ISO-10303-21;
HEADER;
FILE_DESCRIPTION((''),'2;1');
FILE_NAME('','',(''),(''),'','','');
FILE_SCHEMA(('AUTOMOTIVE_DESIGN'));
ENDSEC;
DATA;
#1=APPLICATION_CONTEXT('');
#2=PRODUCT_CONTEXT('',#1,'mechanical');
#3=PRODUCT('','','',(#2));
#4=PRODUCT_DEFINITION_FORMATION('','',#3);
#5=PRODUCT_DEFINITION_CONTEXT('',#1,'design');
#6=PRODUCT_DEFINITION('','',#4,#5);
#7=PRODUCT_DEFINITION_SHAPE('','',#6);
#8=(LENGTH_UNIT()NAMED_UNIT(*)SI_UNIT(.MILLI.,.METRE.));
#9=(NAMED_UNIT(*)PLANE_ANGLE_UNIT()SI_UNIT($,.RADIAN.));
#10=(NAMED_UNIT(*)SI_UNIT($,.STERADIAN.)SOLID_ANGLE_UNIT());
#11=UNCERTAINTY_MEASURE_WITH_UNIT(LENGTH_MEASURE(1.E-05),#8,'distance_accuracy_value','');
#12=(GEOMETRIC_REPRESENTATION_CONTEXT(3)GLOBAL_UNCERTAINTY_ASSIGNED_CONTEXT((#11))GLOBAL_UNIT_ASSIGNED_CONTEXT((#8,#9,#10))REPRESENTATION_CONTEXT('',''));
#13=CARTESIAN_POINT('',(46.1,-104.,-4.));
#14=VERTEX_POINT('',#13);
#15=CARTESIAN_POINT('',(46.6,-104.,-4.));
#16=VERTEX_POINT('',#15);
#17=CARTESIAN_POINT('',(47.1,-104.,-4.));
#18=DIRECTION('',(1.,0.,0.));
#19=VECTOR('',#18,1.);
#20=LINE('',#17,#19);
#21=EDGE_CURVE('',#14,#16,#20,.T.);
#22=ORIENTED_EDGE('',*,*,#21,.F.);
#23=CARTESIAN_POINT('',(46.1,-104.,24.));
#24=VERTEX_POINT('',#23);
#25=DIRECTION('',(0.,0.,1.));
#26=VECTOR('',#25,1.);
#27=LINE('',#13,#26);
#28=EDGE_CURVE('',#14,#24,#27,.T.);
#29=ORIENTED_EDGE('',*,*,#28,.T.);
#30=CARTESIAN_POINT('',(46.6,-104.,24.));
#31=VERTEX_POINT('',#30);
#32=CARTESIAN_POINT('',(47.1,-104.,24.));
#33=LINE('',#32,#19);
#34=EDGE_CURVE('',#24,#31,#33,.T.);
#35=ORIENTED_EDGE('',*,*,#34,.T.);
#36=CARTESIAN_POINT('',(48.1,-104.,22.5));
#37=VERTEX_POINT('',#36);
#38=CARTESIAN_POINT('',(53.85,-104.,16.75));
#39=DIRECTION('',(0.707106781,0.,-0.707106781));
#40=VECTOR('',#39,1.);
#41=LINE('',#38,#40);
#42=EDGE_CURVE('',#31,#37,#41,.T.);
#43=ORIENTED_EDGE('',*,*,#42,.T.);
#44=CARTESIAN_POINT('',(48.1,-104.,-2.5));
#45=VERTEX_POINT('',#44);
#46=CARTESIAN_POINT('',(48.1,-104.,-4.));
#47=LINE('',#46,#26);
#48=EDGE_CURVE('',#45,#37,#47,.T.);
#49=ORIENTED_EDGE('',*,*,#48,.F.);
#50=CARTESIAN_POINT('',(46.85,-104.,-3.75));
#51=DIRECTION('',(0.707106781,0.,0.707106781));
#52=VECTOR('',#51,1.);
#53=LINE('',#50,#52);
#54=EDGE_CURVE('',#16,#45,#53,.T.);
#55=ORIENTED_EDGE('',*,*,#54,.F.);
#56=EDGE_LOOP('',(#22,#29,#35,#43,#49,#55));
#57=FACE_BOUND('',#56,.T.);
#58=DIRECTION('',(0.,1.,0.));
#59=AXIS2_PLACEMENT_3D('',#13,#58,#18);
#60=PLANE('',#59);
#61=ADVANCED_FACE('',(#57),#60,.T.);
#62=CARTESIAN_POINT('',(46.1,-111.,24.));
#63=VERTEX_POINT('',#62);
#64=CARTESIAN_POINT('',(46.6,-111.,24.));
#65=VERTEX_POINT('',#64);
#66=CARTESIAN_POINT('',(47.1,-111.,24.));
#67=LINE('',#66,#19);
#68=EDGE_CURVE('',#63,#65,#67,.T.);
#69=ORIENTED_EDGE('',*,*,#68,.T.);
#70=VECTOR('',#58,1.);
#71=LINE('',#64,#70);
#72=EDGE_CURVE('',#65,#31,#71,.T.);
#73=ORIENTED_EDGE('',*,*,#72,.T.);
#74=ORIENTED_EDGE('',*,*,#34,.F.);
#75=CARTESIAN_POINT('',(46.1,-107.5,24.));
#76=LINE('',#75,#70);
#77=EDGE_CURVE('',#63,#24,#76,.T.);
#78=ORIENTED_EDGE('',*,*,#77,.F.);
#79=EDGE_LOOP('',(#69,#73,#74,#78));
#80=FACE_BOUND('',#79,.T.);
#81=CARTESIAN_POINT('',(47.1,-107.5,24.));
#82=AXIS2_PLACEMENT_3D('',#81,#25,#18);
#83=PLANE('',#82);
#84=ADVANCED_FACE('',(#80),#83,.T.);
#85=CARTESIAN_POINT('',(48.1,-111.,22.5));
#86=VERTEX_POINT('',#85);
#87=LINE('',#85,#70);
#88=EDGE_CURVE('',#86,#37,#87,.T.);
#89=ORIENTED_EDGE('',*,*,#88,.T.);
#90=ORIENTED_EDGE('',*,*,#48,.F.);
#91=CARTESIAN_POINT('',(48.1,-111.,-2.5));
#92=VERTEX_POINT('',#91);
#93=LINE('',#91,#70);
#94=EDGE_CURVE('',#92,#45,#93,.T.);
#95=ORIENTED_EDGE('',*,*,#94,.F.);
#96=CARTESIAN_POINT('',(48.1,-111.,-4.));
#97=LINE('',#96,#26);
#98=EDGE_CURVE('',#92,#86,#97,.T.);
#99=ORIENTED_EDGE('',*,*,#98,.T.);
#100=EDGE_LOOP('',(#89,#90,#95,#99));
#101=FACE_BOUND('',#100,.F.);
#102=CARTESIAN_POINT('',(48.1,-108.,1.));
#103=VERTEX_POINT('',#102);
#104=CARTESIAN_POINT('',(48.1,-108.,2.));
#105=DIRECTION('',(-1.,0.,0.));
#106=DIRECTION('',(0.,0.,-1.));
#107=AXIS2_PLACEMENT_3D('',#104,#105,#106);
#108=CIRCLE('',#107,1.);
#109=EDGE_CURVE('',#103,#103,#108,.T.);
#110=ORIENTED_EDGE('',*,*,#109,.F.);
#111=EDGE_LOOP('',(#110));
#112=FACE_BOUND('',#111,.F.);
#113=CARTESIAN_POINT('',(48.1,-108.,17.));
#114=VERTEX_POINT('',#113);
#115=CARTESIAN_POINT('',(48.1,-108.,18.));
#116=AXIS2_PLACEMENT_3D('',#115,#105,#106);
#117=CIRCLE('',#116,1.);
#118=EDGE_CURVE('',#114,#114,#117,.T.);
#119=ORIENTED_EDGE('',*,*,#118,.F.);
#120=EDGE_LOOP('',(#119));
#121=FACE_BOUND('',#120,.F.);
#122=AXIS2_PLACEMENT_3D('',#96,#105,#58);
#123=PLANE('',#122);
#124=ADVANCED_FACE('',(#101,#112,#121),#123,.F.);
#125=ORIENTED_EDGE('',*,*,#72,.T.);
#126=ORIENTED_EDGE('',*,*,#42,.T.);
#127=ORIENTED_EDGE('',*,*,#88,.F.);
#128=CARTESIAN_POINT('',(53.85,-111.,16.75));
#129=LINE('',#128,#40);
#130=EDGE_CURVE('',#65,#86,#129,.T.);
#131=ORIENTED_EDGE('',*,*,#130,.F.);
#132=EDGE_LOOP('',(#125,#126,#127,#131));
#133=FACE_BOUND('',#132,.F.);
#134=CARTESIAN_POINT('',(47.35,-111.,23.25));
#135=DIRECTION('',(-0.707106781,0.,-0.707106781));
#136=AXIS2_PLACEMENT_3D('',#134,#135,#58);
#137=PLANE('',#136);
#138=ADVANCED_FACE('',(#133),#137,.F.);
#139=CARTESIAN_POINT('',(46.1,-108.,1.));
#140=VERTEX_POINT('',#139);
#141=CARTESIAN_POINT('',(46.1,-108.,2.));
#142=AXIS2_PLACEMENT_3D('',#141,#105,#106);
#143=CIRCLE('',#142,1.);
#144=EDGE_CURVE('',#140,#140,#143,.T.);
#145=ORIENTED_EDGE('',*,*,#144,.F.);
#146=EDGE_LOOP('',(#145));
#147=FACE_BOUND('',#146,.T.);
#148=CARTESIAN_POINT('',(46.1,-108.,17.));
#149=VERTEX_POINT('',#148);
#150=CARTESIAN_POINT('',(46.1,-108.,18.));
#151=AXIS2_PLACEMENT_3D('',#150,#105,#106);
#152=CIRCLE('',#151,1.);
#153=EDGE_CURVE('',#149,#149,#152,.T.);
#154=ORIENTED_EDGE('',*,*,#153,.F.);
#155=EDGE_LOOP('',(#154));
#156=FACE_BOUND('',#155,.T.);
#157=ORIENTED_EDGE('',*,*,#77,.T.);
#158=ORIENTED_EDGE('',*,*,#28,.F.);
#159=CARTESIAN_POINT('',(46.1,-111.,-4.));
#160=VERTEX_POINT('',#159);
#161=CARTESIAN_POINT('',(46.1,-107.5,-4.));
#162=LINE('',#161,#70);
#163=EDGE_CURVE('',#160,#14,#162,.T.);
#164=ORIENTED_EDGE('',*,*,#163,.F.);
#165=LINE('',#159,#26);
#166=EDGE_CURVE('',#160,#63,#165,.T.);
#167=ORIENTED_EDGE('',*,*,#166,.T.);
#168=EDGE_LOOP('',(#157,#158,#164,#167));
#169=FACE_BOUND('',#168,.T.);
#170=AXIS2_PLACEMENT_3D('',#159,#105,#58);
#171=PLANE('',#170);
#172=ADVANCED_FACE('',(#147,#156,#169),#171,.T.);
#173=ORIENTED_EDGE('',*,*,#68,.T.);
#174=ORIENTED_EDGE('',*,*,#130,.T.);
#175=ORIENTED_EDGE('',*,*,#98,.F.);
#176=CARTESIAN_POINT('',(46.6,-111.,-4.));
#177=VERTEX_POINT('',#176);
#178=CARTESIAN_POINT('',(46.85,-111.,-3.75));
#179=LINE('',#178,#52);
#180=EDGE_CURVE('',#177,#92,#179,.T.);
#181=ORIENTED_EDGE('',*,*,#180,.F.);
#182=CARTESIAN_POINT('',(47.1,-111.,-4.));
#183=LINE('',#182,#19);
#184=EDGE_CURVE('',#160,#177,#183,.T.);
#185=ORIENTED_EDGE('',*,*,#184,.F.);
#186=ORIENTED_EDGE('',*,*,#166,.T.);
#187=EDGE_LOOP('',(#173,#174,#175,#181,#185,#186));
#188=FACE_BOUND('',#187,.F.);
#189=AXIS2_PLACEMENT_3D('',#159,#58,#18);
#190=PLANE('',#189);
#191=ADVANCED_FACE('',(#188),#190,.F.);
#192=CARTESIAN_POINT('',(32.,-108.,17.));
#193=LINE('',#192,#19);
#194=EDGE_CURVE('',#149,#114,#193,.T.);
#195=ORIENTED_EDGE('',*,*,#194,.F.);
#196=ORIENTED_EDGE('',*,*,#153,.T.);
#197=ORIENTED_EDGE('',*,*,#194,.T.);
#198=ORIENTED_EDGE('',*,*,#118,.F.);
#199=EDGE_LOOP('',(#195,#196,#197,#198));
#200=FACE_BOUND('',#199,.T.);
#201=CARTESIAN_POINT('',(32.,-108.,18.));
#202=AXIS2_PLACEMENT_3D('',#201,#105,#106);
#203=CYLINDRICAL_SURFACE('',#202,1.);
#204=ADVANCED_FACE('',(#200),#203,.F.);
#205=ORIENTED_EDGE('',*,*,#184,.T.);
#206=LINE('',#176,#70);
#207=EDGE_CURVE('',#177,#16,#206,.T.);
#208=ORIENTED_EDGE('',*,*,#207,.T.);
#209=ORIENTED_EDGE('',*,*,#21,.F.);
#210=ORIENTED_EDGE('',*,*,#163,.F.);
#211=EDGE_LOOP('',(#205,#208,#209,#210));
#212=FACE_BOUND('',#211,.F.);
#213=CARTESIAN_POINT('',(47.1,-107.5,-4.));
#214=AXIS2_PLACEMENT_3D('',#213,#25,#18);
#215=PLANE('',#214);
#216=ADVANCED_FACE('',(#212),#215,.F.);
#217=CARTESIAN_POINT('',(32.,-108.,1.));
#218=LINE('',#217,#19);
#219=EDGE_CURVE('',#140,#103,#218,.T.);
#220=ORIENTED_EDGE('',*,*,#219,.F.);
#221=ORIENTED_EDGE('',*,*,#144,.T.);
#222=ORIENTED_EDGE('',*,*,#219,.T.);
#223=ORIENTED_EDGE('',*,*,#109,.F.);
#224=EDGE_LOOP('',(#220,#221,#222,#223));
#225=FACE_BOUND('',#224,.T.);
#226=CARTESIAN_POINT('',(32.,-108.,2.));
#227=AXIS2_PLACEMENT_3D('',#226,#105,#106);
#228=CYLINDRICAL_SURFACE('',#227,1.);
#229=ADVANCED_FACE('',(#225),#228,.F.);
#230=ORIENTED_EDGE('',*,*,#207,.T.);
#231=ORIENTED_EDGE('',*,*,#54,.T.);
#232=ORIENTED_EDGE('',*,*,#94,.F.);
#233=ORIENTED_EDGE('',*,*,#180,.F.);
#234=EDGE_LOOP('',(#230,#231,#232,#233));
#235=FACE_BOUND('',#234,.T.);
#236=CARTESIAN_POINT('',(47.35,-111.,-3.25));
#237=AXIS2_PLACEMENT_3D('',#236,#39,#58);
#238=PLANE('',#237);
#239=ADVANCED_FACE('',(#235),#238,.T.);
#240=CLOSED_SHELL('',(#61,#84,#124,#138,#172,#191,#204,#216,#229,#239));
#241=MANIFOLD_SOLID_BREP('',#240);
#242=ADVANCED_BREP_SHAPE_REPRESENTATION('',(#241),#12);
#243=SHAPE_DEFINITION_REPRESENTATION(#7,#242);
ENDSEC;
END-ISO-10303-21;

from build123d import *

# Parameters (mm, degrees)
CYLINDER2206_R     = 1
CYLINDER2206_DEPTH = 20
CYLINDER2205_R     = 1
CYLINDER2205_DEPTH = 20
BOX855_W           = 2
BOX855_H           = 7
BOX855_DEPTH       = 28
CHAMFER068_SIZE    = 1.5


with BuildPart() as v_lec2206:
    # Cylinder2206 → Cylinder2206 (new body)
    with BuildSketch(Plane(origin=(32, -108, 18), x_dir=(0, 0, -1), z_dir=(1, 0, 0))):
        Circle(CYLINDER2206_R)
    extrude(amount=CYLINDER2206_DEPTH)


with BuildPart() as compound988:
    # Cylinder2205 → Cylinder2205 (new body)
    with BuildSketch(Plane(origin=(32, -108, 2), x_dir=(0, 0, -1), z_dir=(1, 0, 0))):
        Circle(CYLINDER2205_R)
    extrude(amount=CYLINDER2205_DEPTH)

    # Compound988: union Válec2206
    add(v_lec2206.part)


with BuildPart() as chamfer068:
    # Box855 → Box855 (new body)
    with BuildSketch(Plane(origin=(46.1, -111, -4), x_dir=(1, 0, 0), z_dir=(0, 0, 1))):
        with Locations((1, 3.5)):
            Rectangle(BOX855_W, BOX855_H)
    extrude(amount=BOX855_DEPTH)

    # Cut809: cut Compound988
    add(compound988.part, mode=Mode.SUBTRACT)

    # Chamfer068
    chamfer068_edges = [chamfer068.edges().sort_by_distance(p)[0] for p in [
        (48.1, -107.5, 24),
        (48.1, -107.5, -4),
    ]]
    chamfer(chamfer068_edges, length=CHAMFER068_SIZE)


solid = chamfer068.part
